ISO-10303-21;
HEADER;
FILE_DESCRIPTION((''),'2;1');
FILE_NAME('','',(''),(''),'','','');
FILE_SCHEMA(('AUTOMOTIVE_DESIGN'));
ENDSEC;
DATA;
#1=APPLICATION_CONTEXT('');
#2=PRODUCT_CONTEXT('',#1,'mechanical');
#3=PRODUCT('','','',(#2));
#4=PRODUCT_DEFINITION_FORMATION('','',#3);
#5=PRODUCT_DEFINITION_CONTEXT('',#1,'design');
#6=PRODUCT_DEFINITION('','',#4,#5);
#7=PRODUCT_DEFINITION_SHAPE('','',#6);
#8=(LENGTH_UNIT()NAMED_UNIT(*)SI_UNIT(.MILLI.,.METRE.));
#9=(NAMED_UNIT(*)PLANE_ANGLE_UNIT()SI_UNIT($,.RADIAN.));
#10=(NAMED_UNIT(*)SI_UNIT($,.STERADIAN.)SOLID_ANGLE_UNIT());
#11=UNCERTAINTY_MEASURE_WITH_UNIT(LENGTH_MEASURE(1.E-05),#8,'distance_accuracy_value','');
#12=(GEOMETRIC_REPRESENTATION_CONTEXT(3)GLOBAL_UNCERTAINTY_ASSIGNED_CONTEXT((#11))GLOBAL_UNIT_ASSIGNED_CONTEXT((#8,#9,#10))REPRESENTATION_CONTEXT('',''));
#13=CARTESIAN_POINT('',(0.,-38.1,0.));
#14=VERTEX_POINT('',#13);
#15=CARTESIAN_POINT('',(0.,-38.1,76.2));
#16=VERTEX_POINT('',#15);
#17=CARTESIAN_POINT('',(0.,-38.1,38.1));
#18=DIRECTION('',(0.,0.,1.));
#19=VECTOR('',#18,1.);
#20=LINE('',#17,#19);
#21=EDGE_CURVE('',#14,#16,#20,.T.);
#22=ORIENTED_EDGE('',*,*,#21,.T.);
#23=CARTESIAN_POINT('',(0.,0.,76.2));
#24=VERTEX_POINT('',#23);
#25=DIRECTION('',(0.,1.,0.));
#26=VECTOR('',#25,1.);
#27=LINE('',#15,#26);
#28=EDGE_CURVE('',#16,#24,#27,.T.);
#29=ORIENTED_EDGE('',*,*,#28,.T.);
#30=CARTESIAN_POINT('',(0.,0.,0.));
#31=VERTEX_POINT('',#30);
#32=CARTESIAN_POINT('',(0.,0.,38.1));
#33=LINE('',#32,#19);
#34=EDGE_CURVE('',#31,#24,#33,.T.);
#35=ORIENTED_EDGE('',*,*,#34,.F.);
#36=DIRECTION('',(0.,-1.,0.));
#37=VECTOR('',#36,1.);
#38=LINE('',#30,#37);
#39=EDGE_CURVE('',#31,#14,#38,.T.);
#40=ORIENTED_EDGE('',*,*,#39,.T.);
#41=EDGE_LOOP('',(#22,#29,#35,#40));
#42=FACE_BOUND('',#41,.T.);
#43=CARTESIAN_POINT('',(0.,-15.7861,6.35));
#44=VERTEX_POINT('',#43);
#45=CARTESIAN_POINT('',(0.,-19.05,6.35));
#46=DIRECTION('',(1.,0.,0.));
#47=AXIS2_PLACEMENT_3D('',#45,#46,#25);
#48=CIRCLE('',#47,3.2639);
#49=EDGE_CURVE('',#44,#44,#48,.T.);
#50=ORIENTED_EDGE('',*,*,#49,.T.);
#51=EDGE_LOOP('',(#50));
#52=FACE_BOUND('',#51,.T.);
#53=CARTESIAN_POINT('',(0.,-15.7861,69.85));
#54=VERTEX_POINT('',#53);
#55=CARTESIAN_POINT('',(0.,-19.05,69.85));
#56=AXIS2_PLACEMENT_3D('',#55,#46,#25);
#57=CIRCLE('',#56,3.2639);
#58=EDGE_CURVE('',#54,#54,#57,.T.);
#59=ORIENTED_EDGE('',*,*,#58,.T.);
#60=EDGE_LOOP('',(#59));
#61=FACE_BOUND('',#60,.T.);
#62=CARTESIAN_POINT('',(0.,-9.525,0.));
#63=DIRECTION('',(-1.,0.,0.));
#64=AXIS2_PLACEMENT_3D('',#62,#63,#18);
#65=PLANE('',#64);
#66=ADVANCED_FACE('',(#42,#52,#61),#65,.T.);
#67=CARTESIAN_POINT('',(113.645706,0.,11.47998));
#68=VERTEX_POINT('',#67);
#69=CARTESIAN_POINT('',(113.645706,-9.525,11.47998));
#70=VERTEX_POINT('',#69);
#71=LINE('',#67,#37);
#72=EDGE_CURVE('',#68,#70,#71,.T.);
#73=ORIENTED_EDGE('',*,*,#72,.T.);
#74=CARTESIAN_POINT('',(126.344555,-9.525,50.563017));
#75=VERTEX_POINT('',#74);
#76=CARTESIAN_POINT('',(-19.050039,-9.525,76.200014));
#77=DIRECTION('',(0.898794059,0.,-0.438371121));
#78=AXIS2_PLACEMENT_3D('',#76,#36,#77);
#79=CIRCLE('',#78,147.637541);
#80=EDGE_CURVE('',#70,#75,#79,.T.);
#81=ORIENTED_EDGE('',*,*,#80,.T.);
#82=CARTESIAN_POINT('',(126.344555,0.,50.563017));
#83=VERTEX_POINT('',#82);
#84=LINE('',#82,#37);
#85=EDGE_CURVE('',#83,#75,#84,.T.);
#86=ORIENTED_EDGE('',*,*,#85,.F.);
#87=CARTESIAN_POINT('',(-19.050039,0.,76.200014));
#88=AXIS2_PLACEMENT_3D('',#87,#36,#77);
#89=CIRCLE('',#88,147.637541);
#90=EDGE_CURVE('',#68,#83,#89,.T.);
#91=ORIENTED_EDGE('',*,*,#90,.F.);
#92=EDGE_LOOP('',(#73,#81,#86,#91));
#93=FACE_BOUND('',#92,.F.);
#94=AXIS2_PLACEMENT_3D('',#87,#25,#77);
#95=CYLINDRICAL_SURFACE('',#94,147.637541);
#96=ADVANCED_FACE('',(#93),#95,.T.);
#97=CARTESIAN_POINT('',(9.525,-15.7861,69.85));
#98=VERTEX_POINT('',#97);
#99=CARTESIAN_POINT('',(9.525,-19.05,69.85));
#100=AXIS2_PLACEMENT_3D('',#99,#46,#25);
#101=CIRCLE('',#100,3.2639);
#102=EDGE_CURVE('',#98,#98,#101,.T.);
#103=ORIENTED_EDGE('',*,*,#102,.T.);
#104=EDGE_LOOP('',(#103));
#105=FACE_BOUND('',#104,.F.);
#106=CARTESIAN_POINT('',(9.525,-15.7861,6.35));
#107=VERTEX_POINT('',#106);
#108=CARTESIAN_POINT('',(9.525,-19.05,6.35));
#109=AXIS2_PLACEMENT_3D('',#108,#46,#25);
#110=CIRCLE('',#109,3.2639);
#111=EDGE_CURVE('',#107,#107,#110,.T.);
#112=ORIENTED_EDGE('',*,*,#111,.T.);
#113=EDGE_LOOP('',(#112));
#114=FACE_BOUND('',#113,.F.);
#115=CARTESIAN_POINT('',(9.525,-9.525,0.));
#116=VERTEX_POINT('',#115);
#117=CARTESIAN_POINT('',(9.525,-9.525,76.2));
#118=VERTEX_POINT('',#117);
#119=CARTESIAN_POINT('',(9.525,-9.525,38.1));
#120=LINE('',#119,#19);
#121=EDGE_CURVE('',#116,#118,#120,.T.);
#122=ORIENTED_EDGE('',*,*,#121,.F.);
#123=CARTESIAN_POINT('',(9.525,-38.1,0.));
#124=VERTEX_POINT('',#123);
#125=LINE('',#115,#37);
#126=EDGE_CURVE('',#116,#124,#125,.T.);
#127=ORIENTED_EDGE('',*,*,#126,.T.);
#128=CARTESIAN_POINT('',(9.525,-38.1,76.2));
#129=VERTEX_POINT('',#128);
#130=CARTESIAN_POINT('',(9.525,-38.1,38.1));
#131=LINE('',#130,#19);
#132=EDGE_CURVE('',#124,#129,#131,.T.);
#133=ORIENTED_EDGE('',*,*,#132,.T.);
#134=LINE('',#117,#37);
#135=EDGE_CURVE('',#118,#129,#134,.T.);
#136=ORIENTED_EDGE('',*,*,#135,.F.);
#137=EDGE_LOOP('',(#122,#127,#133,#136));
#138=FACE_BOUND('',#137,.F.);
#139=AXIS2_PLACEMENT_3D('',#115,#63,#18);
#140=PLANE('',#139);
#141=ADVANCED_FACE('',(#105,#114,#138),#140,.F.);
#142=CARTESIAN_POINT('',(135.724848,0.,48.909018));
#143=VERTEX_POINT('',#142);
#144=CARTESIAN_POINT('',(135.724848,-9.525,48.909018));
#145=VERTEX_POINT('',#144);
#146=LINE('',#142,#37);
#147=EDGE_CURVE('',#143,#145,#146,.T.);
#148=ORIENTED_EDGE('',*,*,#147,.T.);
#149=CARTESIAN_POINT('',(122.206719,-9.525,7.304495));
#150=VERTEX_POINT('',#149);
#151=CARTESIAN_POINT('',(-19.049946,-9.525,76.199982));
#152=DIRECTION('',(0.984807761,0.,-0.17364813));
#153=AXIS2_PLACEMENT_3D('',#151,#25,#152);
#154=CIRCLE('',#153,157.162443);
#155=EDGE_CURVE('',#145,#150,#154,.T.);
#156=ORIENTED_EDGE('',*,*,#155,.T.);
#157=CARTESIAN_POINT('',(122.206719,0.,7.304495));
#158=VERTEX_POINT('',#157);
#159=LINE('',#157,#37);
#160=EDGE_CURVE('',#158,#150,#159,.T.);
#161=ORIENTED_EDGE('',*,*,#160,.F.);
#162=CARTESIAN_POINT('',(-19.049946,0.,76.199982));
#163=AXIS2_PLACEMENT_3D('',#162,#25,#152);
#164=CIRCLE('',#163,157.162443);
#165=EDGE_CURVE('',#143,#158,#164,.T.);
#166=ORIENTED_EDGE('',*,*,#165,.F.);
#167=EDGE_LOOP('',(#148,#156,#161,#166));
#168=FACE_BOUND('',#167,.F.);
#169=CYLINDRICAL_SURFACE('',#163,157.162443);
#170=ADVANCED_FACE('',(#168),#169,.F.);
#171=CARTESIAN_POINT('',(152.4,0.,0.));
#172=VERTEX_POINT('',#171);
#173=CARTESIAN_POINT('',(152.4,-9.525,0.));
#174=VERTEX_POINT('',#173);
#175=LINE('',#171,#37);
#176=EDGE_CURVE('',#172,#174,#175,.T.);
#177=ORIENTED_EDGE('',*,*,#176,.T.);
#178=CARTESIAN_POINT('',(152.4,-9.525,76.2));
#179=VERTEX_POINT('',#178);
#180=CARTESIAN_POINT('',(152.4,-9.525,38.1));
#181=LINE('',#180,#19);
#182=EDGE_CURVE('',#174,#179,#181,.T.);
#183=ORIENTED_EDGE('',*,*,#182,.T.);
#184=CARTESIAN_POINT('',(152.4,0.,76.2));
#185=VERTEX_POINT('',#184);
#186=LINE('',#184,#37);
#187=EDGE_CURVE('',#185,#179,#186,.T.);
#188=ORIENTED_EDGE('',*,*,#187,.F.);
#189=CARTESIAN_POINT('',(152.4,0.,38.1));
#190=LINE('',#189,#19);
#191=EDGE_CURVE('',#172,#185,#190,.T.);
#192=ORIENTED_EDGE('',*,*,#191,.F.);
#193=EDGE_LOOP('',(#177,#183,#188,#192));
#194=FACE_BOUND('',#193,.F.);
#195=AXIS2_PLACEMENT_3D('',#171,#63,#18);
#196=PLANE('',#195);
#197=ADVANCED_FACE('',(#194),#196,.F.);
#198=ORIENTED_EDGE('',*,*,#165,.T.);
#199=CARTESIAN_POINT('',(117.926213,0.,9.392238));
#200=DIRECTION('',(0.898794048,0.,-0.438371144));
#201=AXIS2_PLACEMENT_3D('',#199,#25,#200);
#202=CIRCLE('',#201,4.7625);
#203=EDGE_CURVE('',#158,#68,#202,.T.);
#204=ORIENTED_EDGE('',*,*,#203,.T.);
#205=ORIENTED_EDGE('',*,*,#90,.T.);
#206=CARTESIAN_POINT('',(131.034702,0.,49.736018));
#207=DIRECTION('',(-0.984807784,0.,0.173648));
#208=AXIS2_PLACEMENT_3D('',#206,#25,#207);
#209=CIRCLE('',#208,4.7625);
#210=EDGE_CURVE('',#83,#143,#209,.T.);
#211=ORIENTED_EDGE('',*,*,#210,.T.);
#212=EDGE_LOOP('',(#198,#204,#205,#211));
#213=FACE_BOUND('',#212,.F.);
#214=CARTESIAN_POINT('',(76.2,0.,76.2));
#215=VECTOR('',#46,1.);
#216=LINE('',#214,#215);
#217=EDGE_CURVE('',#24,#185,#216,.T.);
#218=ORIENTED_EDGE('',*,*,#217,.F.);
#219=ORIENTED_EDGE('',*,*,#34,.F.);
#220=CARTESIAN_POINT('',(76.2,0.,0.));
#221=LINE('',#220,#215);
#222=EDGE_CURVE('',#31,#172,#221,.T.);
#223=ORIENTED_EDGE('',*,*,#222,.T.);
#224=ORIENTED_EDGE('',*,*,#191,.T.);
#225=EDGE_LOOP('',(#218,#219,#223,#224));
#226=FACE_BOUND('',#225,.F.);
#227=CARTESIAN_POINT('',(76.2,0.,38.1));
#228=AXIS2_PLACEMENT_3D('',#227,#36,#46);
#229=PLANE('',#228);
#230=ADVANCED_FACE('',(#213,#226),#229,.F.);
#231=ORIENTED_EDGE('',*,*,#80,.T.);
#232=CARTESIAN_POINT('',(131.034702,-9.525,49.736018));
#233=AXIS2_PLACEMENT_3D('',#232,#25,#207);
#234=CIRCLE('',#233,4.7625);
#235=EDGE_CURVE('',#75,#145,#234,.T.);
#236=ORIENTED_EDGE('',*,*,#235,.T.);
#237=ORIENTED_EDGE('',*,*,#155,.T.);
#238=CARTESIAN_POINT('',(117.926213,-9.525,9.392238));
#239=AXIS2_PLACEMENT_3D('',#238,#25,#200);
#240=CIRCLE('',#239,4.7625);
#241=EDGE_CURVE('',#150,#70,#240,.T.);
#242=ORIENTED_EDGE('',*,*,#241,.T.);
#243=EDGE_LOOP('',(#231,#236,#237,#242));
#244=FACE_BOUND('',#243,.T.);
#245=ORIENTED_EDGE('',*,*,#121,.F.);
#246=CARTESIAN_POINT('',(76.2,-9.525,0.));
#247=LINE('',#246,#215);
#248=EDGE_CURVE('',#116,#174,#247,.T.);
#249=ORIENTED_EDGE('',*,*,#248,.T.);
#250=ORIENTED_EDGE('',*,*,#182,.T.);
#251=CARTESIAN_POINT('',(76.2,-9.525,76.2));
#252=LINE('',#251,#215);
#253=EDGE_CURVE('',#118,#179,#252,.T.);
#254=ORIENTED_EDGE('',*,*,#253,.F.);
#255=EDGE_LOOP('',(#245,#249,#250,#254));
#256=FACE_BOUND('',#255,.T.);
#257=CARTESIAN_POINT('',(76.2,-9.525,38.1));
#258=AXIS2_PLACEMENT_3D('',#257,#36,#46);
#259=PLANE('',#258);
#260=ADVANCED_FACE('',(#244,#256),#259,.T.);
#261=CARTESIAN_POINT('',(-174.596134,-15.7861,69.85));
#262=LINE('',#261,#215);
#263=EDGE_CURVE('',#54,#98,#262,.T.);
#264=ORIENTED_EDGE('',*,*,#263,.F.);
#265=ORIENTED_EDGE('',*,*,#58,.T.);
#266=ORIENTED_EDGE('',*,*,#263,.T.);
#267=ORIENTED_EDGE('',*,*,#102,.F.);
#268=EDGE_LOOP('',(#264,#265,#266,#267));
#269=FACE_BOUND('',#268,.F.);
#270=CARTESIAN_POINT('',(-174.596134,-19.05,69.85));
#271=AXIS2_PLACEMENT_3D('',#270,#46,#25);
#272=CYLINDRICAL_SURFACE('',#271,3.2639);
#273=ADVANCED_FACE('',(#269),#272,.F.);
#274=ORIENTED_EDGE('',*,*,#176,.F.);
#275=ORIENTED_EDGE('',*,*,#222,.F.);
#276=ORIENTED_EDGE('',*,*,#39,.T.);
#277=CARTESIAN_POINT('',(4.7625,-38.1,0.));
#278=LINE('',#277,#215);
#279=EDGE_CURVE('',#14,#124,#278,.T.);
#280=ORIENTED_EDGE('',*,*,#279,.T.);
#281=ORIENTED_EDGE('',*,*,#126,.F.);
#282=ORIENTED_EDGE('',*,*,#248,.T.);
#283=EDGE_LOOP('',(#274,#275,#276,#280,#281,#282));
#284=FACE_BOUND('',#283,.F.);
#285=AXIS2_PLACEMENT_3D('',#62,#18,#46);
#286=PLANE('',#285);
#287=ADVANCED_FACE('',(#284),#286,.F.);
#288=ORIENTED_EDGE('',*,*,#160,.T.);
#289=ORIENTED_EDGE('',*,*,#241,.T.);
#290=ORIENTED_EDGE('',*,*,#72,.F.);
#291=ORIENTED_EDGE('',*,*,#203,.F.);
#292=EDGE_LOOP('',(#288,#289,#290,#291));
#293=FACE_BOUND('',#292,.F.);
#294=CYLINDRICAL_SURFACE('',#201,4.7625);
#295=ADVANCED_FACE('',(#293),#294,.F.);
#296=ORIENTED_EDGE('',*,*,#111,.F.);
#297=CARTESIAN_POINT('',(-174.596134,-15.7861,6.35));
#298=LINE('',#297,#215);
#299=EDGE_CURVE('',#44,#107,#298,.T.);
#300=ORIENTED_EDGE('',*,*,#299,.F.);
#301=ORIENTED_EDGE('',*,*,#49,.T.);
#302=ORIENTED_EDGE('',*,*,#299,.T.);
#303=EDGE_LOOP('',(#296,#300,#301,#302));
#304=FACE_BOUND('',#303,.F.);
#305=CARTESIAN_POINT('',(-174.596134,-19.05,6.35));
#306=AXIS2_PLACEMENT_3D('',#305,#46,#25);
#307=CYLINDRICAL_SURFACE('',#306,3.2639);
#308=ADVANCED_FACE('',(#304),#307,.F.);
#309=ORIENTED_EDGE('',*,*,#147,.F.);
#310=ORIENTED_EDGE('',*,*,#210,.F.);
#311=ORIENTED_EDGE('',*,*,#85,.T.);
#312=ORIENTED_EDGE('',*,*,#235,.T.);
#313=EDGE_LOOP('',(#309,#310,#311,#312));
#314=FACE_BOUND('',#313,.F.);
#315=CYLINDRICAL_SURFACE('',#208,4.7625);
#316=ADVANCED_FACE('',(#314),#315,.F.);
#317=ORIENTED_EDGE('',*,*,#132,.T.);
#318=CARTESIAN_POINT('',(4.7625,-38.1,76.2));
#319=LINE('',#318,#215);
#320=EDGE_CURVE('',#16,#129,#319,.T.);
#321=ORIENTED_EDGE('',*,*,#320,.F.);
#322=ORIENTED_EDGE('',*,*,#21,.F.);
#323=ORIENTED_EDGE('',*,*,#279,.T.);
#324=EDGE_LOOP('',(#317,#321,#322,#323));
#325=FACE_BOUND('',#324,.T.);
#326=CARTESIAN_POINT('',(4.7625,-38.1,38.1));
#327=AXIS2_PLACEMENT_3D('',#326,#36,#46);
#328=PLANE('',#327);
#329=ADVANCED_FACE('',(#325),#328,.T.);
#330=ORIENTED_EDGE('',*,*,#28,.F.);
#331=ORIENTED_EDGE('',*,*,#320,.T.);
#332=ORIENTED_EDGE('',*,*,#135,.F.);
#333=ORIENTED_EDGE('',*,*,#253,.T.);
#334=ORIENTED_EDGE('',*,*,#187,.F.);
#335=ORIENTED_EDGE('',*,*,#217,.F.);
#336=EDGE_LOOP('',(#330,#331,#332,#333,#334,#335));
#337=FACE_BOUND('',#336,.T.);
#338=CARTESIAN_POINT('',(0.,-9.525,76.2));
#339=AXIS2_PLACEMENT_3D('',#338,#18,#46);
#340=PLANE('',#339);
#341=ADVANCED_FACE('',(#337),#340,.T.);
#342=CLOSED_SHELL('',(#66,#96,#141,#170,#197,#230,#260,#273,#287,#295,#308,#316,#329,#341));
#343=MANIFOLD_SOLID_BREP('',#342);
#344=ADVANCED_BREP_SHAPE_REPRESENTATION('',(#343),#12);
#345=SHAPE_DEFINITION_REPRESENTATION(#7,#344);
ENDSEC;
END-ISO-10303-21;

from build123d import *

# Parameters (mm, degrees)
F0_W     = 152.4
F0_H     = 76.2
F1_DEPTH = 9.525
F2_W     = 9.525
F2_H     = 76.2
F3_DEPTH = 28.575
F5_D     = 6.5278


with BuildPart() as f1:
    # F0 (on Front) → F1 (new body)
    with BuildSketch(Plane.XZ):
        with Locations((76.2, 38.1)):
            Rectangle(F0_W, F0_H)
        with BuildLine():
            ThreePointArc((135.724848, 48.909018), (130.42042, 27.634117), (122.206719, 7.304495))
            ThreePointArc((122.206719, 7.304495), (115.83847, 5.111731), (113.645706, 11.47998))
            ThreePointArc((113.645706, 11.47998), (121.361606, 30.577503), (126.344555, 50.563017))
            ThreePointArc((126.344555, 50.563017), (131.861701, 54.426165), (135.724848, 48.909018))
        make_face(mode=Mode.SUBTRACT)
    extrude(amount=F1_DEPTH)

    # F2 (on face) → F3 (join)
    with BuildSketch(Plane.XZ.offset(9.525)):
        with Locations((4.7625, 38.1)):
            Rectangle(F2_W, F2_H)
    extrude(amount=F3_DEPTH)

    # F5 (through all)
    with Locations(Plane(origin=(0, 0, 0), x_dir=(0, -1, 0), z_dir=(-1, 0, 0))):
        with Locations((19.05, 69.85), (19.05, 6.35)):
            Hole(F5_D / 2)


solid = f1.part
